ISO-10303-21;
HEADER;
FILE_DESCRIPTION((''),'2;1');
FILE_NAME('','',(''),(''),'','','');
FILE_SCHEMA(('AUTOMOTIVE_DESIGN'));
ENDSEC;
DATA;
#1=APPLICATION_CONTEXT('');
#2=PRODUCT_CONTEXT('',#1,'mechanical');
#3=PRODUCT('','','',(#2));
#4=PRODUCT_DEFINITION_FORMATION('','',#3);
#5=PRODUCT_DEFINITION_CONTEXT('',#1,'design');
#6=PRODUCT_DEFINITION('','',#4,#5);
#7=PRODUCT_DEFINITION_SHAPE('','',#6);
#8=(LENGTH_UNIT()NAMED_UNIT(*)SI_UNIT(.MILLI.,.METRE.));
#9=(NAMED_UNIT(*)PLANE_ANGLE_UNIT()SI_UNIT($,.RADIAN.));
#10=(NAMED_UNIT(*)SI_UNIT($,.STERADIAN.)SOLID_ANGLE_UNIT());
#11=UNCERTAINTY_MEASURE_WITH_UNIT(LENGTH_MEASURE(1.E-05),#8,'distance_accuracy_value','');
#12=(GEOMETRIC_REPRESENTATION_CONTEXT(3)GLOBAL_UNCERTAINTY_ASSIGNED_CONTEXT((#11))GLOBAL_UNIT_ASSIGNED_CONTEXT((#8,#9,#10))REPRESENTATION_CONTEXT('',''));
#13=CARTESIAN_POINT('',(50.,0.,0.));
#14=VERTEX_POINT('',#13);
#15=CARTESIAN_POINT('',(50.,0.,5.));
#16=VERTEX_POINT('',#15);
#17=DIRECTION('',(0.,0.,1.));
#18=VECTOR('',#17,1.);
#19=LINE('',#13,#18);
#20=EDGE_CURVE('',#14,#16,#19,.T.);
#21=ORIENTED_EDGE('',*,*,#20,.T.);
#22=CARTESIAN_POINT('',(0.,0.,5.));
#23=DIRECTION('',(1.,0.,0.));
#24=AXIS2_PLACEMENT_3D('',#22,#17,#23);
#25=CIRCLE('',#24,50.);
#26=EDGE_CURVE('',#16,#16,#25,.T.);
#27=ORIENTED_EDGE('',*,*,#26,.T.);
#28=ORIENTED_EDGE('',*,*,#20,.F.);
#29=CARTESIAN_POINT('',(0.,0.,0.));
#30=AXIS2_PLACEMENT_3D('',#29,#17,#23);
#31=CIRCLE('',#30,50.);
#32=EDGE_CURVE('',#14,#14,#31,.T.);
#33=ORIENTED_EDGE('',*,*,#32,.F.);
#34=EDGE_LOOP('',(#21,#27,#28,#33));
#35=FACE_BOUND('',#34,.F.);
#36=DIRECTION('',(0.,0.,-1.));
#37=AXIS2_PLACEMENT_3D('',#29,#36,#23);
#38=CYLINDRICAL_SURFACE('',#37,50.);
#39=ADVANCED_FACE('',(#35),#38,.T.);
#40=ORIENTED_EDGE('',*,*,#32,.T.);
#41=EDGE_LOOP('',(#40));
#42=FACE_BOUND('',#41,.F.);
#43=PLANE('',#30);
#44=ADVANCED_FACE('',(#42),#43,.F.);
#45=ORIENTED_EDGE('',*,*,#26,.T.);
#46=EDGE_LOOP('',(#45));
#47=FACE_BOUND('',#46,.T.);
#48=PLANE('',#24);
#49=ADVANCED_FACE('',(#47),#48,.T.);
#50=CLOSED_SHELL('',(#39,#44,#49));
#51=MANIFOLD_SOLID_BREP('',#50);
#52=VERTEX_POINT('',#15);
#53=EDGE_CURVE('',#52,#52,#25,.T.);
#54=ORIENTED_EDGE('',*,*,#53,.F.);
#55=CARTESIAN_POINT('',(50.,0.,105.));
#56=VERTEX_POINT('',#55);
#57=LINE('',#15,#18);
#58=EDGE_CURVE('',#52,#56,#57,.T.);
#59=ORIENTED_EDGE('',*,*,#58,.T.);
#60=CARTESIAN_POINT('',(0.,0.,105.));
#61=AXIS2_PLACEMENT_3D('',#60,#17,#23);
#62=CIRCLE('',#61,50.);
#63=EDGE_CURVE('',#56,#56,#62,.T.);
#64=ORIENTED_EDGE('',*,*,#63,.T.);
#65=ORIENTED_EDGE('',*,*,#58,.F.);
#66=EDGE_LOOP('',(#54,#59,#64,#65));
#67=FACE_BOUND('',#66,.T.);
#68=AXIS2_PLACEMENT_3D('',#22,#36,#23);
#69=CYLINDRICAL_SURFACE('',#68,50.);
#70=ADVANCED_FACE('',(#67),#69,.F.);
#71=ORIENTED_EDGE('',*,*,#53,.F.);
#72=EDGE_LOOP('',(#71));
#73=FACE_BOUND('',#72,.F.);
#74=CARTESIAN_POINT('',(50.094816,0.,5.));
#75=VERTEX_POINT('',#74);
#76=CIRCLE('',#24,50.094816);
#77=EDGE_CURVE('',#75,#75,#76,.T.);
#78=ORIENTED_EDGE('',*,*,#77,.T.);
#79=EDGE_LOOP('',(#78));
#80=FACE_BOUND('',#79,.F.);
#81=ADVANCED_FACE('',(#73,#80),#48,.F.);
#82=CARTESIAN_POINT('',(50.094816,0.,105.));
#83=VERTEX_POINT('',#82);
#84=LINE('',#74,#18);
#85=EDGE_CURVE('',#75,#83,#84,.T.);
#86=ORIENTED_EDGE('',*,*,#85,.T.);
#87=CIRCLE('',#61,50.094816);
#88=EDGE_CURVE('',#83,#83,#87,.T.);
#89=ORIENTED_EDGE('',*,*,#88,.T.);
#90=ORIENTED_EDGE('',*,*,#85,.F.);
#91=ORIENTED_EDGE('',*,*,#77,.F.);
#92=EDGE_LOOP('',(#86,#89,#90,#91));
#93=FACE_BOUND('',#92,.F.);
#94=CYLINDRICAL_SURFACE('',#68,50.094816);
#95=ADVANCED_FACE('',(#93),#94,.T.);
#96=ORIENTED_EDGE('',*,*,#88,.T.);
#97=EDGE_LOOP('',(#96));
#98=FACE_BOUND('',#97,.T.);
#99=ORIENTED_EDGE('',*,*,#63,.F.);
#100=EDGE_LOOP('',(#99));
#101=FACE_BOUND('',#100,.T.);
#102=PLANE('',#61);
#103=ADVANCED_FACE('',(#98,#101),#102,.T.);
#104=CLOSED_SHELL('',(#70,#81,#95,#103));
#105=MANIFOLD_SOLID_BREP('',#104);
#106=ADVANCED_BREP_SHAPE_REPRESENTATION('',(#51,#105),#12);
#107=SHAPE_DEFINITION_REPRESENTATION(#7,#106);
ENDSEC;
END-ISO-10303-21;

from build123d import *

# Parameters (mm, degrees)
F0_R     = 50
F1_DEPTH = 5
F2_R     = 50.094816
F2_R_2   = 50
F3_DEPTH = 100


with BuildPart() as f1:
    # F0 (on Top) → F1 (new body)
    with BuildSketch(Plane.XY):
        Circle(F0_R)
    extrude(amount=F1_DEPTH)


with BuildPart() as f3:
    # F2 (on face) → F3 (new body)
    with BuildSketch(Plane.XY.offset(5)):
        Circle(F2_R)
        Circle(F2_R_2, mode=Mode.SUBTRACT)
    extrude(amount=F3_DEPTH)


solid = Compound([f1.part, f3.part])
